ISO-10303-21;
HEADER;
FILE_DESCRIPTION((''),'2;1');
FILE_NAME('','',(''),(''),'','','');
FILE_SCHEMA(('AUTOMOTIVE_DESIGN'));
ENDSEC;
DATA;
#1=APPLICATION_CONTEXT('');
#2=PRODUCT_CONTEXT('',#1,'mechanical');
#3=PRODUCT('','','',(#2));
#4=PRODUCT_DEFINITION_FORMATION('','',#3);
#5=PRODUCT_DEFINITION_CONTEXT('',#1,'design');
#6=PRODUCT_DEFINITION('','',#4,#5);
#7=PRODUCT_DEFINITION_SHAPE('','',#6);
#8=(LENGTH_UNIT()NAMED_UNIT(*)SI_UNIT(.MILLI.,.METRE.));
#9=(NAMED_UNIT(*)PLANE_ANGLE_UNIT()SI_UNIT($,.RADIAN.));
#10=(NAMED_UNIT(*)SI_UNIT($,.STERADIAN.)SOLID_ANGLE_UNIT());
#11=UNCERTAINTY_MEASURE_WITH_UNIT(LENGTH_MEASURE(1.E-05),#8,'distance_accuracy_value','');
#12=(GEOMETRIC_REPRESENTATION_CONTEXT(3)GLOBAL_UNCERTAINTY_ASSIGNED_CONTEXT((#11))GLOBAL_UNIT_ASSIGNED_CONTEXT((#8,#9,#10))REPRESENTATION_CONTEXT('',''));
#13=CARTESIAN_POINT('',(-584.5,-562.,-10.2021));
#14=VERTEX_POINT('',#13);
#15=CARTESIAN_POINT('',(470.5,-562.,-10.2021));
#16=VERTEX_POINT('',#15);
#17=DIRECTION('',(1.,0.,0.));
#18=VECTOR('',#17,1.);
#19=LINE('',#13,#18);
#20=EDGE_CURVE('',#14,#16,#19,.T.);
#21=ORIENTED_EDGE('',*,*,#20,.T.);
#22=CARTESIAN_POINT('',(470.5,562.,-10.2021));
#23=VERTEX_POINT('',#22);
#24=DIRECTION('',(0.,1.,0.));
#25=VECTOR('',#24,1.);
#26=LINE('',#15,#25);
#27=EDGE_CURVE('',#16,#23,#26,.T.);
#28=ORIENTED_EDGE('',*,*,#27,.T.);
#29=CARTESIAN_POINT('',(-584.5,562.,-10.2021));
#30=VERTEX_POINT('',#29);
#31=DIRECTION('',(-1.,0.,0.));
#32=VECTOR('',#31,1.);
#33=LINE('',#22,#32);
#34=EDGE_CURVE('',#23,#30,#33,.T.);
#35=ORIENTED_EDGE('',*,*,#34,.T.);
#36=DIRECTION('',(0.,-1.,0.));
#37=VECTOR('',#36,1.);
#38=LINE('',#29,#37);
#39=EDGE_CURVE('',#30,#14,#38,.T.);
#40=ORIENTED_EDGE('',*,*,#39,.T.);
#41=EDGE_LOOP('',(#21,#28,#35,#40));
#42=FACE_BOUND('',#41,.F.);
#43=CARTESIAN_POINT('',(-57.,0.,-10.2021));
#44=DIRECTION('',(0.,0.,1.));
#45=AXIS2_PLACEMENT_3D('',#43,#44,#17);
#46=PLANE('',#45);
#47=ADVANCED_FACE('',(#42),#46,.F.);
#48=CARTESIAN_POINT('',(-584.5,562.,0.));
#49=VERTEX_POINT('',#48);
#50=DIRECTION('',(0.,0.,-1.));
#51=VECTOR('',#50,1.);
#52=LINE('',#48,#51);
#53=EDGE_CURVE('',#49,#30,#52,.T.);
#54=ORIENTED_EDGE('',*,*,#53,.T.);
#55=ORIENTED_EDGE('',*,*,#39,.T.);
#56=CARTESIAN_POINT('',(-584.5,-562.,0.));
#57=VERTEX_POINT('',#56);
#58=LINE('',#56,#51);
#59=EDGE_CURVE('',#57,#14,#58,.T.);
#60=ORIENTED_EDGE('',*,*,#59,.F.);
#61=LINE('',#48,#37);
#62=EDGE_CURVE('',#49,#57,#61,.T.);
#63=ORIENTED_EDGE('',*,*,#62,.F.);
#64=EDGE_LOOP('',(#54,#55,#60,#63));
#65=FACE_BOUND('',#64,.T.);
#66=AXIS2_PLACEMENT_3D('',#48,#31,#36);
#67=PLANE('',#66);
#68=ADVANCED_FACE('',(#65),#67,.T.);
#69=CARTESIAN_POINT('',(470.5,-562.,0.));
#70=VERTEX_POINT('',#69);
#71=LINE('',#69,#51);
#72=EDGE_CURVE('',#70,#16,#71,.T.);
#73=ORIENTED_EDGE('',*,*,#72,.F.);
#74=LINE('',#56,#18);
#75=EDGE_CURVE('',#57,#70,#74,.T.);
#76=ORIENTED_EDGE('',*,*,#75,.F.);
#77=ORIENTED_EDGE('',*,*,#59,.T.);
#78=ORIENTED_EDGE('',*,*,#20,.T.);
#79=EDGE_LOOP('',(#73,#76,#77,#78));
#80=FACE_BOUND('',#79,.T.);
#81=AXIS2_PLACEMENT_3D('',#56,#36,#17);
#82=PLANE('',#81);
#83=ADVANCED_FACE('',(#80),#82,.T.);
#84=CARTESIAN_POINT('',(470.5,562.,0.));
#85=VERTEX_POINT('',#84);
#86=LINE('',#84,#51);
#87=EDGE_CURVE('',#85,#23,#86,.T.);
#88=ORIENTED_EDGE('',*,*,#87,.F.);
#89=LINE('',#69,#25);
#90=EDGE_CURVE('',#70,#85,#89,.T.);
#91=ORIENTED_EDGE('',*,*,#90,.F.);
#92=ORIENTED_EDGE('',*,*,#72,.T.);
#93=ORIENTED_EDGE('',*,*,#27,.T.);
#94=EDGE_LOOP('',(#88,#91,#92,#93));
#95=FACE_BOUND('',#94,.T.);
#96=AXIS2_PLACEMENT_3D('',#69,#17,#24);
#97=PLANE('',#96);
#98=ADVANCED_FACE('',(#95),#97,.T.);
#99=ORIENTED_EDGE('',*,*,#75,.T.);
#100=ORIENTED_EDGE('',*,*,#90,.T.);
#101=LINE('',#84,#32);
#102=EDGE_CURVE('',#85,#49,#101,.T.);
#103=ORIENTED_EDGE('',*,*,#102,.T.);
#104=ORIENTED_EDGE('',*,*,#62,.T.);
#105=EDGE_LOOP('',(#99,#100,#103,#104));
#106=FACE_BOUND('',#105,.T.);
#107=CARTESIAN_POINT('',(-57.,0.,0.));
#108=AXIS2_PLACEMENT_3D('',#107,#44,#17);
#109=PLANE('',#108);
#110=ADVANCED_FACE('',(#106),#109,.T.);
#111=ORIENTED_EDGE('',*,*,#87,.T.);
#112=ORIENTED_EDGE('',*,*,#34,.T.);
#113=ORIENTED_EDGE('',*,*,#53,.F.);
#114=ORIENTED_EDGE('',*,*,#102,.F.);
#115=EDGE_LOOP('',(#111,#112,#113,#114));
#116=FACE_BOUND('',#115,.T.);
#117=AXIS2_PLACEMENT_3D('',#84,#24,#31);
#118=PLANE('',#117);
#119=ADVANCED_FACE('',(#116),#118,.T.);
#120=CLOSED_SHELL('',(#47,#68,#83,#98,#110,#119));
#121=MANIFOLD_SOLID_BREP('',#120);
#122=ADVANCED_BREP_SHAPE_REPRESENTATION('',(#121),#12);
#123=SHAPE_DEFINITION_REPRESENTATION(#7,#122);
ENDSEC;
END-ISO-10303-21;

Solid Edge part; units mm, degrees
sketch "Sketch1" plane through (0, 0, 0) normal (0, 0, 1) x (1, 0, 0)
  line L0 (470.5, 562) -> (-584.5, 562)
  line L1 (-584.5, 562) -> (-584.5, -562)
  line L2 (-584.5, -562) -> (470.5, -562)
  line L3 (470.5, -562) -> (470.5, 562)
extrude "Protrusion1" add sketch "Sketch1" against normal blind 10.2021
properties material "Wood, Oak"
